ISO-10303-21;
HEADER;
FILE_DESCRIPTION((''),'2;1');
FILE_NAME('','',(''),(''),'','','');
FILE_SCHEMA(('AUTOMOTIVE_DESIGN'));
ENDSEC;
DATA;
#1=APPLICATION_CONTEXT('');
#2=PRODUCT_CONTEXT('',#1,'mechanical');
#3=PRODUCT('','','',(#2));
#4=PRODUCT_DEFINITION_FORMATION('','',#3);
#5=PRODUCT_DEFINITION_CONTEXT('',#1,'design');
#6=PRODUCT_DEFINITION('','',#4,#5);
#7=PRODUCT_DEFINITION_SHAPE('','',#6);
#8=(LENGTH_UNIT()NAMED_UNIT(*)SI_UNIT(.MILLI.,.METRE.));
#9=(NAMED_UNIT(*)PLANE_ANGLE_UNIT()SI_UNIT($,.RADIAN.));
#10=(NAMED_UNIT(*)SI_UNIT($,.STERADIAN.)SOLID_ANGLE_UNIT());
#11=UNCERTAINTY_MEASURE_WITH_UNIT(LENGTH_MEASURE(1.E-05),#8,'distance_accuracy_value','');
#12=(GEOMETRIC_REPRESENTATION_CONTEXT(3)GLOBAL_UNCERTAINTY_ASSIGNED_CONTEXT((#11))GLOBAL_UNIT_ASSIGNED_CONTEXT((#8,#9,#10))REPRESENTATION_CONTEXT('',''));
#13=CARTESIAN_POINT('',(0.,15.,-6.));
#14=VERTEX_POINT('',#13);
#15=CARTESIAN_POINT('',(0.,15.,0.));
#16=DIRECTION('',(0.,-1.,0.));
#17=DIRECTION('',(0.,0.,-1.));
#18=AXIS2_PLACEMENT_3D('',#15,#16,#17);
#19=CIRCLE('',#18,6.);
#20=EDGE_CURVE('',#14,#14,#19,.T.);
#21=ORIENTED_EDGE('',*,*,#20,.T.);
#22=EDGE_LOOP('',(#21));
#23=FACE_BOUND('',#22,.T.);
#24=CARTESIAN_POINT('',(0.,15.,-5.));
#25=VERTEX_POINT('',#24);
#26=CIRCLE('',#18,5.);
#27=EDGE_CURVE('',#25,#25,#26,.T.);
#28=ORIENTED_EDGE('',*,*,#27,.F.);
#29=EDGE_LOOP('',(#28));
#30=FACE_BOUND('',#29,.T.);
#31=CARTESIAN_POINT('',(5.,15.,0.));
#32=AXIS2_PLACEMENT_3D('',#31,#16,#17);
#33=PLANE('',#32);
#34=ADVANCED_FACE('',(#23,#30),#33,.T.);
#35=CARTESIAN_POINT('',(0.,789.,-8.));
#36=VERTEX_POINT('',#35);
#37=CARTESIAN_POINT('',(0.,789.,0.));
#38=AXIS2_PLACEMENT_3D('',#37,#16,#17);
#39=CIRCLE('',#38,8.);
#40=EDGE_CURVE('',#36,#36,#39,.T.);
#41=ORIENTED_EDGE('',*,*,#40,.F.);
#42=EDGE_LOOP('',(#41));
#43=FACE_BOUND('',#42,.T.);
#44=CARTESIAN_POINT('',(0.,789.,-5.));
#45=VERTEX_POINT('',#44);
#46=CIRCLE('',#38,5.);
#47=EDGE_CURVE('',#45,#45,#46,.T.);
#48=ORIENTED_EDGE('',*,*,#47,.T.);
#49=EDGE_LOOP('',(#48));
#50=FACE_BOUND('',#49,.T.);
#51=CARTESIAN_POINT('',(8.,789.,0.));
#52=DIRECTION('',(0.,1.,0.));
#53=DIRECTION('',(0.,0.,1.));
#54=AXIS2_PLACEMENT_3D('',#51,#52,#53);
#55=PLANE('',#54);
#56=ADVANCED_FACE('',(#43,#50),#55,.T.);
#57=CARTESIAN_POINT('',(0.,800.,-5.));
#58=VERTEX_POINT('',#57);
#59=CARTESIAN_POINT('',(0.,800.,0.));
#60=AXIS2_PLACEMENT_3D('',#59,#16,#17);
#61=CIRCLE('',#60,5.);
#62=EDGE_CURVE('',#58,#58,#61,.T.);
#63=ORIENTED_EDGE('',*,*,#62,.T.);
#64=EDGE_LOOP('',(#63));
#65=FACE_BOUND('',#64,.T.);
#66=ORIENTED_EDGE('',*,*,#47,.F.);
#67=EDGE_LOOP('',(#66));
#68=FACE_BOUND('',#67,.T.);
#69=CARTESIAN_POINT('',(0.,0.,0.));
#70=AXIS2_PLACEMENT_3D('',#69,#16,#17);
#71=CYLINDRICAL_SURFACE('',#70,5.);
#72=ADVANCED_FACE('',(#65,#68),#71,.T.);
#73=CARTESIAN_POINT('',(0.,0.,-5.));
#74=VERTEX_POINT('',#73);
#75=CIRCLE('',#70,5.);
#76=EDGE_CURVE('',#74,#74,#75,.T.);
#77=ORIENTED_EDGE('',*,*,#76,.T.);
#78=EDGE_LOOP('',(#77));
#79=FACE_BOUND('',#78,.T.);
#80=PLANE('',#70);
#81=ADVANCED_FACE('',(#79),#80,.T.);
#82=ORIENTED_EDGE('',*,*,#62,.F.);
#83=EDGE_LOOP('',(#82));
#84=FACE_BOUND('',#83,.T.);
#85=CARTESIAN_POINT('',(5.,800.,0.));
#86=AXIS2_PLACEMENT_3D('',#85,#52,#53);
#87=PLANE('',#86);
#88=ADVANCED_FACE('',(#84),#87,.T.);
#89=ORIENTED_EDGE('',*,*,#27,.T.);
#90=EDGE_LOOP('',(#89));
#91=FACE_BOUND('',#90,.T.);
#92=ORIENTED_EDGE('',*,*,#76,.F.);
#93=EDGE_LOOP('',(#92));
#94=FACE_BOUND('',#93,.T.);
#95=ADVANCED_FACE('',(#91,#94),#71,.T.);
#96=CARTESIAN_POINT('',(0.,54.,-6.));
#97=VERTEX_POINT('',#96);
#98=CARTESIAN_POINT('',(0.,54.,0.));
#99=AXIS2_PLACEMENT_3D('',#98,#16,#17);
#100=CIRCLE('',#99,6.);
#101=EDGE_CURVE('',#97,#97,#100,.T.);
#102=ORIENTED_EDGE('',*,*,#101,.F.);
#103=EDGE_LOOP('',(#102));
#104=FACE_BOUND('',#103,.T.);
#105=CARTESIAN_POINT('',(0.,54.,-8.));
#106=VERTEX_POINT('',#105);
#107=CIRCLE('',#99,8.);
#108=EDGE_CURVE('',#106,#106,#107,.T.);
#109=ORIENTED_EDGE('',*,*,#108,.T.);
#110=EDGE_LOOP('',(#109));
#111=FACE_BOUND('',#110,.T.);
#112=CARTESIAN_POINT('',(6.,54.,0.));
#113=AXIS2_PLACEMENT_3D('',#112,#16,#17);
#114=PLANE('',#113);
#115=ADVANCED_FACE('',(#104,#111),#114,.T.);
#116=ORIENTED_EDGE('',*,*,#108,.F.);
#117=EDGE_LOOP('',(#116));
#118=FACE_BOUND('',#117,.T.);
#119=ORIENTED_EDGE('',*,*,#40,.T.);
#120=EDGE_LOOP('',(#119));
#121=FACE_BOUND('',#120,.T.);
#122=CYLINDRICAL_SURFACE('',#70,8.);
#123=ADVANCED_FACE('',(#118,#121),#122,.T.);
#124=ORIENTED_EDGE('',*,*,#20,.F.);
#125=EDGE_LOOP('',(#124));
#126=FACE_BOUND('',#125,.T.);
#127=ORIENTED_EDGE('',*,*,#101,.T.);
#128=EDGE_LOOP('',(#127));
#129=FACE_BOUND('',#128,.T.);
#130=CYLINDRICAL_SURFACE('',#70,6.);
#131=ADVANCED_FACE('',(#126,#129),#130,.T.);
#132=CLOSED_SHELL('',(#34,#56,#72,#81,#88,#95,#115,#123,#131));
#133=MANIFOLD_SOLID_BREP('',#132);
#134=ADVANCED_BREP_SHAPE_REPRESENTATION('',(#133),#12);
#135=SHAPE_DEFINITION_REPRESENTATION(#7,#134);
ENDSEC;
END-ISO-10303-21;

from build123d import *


with BuildPart() as part:
    # Sketch1 → Revolve1 (revolve)
    with BuildSketch(Plane.XY, mode=Mode.PRIVATE) as revolve1_sk:
        Polygon((0, 0), (5, 0), (5, 15), (6, 15), (6, 54), (8, 54), (8, 789), (5, 789), (5, 800), (0, 800), align=None)
    revolve(revolve1_sk.sketch.rotate(Axis((0, 0, 0), (0, 1, 0)), 90), axis=Axis((0, 0, 0), (0, 1, 0)))


solid = part.part
